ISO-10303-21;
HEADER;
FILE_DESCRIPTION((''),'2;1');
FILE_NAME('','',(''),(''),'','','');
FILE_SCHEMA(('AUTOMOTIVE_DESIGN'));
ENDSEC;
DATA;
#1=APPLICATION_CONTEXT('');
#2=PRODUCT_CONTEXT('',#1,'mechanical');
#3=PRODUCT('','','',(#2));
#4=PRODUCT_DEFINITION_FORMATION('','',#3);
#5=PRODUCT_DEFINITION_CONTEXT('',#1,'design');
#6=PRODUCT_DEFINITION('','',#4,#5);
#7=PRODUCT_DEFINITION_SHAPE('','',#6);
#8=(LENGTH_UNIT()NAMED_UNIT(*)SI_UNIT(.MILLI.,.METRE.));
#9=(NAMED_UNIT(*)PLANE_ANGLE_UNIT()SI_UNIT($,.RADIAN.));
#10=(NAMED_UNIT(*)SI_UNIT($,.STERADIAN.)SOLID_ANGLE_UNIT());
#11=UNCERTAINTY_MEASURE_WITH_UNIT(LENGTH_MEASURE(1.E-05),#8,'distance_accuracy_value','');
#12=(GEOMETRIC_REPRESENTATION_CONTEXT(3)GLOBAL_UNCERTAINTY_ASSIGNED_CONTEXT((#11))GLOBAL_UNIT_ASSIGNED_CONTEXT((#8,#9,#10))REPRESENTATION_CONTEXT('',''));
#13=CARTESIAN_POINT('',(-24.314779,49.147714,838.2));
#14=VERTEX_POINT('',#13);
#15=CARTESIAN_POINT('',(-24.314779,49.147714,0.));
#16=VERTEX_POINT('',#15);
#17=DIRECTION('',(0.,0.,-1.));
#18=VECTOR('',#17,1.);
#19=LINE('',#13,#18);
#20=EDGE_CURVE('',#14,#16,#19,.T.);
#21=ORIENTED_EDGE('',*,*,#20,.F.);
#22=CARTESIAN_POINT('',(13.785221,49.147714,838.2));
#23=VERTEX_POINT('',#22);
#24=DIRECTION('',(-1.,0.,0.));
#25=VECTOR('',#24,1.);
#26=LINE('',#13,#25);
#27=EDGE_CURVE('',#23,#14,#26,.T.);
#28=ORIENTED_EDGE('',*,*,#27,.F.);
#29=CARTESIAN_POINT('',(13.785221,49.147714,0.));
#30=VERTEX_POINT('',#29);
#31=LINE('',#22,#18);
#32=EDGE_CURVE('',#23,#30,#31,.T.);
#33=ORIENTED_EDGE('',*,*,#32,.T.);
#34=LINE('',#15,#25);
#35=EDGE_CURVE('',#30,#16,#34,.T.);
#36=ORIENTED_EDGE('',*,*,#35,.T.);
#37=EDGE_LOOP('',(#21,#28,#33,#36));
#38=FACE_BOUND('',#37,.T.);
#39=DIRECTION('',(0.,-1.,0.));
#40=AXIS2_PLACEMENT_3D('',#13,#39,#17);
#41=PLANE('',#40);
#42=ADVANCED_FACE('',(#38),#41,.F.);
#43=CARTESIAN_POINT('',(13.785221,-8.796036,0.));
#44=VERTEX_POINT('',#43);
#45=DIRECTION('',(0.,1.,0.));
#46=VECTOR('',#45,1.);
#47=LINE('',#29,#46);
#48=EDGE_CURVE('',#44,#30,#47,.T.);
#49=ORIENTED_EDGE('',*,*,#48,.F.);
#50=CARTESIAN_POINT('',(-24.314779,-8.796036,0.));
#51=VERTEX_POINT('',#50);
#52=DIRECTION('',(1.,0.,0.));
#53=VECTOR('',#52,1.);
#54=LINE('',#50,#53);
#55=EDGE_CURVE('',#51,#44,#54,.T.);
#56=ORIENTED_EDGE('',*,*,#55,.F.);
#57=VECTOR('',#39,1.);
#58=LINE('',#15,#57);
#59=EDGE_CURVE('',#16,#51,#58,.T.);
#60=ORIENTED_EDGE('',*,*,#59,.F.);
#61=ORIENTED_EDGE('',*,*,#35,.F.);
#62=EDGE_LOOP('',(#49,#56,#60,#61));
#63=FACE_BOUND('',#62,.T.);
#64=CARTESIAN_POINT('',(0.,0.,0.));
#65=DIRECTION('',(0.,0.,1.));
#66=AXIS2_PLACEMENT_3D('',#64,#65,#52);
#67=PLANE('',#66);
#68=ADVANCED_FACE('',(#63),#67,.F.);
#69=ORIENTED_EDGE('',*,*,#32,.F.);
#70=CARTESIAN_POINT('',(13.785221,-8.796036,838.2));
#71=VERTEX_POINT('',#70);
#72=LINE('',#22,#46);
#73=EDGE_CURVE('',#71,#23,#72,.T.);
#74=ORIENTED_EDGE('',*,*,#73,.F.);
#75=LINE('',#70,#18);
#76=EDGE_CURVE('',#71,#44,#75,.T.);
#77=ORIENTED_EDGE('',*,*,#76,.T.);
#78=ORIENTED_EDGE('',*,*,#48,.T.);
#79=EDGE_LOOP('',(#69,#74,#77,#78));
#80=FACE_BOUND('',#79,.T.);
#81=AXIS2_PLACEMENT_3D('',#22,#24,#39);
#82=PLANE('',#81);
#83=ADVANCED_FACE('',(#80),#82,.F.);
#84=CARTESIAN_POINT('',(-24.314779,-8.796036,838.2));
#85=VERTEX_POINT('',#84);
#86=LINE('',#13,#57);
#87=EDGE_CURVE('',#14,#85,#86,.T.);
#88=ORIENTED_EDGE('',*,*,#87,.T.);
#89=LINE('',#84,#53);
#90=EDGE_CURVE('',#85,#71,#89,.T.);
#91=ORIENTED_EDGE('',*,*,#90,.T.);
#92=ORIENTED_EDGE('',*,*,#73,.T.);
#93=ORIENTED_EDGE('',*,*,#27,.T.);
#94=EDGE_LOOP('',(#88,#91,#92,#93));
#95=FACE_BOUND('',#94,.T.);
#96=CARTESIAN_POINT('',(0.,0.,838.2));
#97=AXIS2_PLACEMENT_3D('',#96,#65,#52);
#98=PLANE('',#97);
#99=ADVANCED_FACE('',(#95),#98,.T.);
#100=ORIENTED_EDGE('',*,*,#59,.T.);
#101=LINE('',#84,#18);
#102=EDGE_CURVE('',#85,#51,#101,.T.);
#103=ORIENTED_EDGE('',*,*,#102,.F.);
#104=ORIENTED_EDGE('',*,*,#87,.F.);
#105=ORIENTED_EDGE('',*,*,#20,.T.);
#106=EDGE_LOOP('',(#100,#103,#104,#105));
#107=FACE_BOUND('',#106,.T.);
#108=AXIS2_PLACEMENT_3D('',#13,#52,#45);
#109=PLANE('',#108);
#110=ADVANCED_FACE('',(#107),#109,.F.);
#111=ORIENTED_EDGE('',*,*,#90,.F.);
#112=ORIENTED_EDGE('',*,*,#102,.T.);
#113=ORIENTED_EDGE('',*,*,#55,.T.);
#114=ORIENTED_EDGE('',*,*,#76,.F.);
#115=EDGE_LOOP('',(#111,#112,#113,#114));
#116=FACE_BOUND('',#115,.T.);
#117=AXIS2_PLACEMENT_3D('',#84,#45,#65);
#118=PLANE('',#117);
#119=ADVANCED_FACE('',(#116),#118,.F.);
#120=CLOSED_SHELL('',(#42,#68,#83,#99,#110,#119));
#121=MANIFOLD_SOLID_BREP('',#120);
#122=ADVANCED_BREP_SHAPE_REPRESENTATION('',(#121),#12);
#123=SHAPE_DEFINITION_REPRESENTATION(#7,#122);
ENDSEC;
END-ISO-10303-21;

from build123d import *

# Parameters (mm, degrees)
SKETCH1_W           = 38.1
SKETCH1_H           = 57.94375
BOSS_EXTRUDE1_DEPTH = 838.2


with BuildPart() as part:
    # Sketch1 → Boss-Extrude1 (new body)
    with BuildSketch(Plane.XY):
        with Locations((-5.264778863, 20.17583873)):
            Rectangle(SKETCH1_W, SKETCH1_H)
    extrude(amount=BOSS_EXTRUDE1_DEPTH)


solid = part.part
